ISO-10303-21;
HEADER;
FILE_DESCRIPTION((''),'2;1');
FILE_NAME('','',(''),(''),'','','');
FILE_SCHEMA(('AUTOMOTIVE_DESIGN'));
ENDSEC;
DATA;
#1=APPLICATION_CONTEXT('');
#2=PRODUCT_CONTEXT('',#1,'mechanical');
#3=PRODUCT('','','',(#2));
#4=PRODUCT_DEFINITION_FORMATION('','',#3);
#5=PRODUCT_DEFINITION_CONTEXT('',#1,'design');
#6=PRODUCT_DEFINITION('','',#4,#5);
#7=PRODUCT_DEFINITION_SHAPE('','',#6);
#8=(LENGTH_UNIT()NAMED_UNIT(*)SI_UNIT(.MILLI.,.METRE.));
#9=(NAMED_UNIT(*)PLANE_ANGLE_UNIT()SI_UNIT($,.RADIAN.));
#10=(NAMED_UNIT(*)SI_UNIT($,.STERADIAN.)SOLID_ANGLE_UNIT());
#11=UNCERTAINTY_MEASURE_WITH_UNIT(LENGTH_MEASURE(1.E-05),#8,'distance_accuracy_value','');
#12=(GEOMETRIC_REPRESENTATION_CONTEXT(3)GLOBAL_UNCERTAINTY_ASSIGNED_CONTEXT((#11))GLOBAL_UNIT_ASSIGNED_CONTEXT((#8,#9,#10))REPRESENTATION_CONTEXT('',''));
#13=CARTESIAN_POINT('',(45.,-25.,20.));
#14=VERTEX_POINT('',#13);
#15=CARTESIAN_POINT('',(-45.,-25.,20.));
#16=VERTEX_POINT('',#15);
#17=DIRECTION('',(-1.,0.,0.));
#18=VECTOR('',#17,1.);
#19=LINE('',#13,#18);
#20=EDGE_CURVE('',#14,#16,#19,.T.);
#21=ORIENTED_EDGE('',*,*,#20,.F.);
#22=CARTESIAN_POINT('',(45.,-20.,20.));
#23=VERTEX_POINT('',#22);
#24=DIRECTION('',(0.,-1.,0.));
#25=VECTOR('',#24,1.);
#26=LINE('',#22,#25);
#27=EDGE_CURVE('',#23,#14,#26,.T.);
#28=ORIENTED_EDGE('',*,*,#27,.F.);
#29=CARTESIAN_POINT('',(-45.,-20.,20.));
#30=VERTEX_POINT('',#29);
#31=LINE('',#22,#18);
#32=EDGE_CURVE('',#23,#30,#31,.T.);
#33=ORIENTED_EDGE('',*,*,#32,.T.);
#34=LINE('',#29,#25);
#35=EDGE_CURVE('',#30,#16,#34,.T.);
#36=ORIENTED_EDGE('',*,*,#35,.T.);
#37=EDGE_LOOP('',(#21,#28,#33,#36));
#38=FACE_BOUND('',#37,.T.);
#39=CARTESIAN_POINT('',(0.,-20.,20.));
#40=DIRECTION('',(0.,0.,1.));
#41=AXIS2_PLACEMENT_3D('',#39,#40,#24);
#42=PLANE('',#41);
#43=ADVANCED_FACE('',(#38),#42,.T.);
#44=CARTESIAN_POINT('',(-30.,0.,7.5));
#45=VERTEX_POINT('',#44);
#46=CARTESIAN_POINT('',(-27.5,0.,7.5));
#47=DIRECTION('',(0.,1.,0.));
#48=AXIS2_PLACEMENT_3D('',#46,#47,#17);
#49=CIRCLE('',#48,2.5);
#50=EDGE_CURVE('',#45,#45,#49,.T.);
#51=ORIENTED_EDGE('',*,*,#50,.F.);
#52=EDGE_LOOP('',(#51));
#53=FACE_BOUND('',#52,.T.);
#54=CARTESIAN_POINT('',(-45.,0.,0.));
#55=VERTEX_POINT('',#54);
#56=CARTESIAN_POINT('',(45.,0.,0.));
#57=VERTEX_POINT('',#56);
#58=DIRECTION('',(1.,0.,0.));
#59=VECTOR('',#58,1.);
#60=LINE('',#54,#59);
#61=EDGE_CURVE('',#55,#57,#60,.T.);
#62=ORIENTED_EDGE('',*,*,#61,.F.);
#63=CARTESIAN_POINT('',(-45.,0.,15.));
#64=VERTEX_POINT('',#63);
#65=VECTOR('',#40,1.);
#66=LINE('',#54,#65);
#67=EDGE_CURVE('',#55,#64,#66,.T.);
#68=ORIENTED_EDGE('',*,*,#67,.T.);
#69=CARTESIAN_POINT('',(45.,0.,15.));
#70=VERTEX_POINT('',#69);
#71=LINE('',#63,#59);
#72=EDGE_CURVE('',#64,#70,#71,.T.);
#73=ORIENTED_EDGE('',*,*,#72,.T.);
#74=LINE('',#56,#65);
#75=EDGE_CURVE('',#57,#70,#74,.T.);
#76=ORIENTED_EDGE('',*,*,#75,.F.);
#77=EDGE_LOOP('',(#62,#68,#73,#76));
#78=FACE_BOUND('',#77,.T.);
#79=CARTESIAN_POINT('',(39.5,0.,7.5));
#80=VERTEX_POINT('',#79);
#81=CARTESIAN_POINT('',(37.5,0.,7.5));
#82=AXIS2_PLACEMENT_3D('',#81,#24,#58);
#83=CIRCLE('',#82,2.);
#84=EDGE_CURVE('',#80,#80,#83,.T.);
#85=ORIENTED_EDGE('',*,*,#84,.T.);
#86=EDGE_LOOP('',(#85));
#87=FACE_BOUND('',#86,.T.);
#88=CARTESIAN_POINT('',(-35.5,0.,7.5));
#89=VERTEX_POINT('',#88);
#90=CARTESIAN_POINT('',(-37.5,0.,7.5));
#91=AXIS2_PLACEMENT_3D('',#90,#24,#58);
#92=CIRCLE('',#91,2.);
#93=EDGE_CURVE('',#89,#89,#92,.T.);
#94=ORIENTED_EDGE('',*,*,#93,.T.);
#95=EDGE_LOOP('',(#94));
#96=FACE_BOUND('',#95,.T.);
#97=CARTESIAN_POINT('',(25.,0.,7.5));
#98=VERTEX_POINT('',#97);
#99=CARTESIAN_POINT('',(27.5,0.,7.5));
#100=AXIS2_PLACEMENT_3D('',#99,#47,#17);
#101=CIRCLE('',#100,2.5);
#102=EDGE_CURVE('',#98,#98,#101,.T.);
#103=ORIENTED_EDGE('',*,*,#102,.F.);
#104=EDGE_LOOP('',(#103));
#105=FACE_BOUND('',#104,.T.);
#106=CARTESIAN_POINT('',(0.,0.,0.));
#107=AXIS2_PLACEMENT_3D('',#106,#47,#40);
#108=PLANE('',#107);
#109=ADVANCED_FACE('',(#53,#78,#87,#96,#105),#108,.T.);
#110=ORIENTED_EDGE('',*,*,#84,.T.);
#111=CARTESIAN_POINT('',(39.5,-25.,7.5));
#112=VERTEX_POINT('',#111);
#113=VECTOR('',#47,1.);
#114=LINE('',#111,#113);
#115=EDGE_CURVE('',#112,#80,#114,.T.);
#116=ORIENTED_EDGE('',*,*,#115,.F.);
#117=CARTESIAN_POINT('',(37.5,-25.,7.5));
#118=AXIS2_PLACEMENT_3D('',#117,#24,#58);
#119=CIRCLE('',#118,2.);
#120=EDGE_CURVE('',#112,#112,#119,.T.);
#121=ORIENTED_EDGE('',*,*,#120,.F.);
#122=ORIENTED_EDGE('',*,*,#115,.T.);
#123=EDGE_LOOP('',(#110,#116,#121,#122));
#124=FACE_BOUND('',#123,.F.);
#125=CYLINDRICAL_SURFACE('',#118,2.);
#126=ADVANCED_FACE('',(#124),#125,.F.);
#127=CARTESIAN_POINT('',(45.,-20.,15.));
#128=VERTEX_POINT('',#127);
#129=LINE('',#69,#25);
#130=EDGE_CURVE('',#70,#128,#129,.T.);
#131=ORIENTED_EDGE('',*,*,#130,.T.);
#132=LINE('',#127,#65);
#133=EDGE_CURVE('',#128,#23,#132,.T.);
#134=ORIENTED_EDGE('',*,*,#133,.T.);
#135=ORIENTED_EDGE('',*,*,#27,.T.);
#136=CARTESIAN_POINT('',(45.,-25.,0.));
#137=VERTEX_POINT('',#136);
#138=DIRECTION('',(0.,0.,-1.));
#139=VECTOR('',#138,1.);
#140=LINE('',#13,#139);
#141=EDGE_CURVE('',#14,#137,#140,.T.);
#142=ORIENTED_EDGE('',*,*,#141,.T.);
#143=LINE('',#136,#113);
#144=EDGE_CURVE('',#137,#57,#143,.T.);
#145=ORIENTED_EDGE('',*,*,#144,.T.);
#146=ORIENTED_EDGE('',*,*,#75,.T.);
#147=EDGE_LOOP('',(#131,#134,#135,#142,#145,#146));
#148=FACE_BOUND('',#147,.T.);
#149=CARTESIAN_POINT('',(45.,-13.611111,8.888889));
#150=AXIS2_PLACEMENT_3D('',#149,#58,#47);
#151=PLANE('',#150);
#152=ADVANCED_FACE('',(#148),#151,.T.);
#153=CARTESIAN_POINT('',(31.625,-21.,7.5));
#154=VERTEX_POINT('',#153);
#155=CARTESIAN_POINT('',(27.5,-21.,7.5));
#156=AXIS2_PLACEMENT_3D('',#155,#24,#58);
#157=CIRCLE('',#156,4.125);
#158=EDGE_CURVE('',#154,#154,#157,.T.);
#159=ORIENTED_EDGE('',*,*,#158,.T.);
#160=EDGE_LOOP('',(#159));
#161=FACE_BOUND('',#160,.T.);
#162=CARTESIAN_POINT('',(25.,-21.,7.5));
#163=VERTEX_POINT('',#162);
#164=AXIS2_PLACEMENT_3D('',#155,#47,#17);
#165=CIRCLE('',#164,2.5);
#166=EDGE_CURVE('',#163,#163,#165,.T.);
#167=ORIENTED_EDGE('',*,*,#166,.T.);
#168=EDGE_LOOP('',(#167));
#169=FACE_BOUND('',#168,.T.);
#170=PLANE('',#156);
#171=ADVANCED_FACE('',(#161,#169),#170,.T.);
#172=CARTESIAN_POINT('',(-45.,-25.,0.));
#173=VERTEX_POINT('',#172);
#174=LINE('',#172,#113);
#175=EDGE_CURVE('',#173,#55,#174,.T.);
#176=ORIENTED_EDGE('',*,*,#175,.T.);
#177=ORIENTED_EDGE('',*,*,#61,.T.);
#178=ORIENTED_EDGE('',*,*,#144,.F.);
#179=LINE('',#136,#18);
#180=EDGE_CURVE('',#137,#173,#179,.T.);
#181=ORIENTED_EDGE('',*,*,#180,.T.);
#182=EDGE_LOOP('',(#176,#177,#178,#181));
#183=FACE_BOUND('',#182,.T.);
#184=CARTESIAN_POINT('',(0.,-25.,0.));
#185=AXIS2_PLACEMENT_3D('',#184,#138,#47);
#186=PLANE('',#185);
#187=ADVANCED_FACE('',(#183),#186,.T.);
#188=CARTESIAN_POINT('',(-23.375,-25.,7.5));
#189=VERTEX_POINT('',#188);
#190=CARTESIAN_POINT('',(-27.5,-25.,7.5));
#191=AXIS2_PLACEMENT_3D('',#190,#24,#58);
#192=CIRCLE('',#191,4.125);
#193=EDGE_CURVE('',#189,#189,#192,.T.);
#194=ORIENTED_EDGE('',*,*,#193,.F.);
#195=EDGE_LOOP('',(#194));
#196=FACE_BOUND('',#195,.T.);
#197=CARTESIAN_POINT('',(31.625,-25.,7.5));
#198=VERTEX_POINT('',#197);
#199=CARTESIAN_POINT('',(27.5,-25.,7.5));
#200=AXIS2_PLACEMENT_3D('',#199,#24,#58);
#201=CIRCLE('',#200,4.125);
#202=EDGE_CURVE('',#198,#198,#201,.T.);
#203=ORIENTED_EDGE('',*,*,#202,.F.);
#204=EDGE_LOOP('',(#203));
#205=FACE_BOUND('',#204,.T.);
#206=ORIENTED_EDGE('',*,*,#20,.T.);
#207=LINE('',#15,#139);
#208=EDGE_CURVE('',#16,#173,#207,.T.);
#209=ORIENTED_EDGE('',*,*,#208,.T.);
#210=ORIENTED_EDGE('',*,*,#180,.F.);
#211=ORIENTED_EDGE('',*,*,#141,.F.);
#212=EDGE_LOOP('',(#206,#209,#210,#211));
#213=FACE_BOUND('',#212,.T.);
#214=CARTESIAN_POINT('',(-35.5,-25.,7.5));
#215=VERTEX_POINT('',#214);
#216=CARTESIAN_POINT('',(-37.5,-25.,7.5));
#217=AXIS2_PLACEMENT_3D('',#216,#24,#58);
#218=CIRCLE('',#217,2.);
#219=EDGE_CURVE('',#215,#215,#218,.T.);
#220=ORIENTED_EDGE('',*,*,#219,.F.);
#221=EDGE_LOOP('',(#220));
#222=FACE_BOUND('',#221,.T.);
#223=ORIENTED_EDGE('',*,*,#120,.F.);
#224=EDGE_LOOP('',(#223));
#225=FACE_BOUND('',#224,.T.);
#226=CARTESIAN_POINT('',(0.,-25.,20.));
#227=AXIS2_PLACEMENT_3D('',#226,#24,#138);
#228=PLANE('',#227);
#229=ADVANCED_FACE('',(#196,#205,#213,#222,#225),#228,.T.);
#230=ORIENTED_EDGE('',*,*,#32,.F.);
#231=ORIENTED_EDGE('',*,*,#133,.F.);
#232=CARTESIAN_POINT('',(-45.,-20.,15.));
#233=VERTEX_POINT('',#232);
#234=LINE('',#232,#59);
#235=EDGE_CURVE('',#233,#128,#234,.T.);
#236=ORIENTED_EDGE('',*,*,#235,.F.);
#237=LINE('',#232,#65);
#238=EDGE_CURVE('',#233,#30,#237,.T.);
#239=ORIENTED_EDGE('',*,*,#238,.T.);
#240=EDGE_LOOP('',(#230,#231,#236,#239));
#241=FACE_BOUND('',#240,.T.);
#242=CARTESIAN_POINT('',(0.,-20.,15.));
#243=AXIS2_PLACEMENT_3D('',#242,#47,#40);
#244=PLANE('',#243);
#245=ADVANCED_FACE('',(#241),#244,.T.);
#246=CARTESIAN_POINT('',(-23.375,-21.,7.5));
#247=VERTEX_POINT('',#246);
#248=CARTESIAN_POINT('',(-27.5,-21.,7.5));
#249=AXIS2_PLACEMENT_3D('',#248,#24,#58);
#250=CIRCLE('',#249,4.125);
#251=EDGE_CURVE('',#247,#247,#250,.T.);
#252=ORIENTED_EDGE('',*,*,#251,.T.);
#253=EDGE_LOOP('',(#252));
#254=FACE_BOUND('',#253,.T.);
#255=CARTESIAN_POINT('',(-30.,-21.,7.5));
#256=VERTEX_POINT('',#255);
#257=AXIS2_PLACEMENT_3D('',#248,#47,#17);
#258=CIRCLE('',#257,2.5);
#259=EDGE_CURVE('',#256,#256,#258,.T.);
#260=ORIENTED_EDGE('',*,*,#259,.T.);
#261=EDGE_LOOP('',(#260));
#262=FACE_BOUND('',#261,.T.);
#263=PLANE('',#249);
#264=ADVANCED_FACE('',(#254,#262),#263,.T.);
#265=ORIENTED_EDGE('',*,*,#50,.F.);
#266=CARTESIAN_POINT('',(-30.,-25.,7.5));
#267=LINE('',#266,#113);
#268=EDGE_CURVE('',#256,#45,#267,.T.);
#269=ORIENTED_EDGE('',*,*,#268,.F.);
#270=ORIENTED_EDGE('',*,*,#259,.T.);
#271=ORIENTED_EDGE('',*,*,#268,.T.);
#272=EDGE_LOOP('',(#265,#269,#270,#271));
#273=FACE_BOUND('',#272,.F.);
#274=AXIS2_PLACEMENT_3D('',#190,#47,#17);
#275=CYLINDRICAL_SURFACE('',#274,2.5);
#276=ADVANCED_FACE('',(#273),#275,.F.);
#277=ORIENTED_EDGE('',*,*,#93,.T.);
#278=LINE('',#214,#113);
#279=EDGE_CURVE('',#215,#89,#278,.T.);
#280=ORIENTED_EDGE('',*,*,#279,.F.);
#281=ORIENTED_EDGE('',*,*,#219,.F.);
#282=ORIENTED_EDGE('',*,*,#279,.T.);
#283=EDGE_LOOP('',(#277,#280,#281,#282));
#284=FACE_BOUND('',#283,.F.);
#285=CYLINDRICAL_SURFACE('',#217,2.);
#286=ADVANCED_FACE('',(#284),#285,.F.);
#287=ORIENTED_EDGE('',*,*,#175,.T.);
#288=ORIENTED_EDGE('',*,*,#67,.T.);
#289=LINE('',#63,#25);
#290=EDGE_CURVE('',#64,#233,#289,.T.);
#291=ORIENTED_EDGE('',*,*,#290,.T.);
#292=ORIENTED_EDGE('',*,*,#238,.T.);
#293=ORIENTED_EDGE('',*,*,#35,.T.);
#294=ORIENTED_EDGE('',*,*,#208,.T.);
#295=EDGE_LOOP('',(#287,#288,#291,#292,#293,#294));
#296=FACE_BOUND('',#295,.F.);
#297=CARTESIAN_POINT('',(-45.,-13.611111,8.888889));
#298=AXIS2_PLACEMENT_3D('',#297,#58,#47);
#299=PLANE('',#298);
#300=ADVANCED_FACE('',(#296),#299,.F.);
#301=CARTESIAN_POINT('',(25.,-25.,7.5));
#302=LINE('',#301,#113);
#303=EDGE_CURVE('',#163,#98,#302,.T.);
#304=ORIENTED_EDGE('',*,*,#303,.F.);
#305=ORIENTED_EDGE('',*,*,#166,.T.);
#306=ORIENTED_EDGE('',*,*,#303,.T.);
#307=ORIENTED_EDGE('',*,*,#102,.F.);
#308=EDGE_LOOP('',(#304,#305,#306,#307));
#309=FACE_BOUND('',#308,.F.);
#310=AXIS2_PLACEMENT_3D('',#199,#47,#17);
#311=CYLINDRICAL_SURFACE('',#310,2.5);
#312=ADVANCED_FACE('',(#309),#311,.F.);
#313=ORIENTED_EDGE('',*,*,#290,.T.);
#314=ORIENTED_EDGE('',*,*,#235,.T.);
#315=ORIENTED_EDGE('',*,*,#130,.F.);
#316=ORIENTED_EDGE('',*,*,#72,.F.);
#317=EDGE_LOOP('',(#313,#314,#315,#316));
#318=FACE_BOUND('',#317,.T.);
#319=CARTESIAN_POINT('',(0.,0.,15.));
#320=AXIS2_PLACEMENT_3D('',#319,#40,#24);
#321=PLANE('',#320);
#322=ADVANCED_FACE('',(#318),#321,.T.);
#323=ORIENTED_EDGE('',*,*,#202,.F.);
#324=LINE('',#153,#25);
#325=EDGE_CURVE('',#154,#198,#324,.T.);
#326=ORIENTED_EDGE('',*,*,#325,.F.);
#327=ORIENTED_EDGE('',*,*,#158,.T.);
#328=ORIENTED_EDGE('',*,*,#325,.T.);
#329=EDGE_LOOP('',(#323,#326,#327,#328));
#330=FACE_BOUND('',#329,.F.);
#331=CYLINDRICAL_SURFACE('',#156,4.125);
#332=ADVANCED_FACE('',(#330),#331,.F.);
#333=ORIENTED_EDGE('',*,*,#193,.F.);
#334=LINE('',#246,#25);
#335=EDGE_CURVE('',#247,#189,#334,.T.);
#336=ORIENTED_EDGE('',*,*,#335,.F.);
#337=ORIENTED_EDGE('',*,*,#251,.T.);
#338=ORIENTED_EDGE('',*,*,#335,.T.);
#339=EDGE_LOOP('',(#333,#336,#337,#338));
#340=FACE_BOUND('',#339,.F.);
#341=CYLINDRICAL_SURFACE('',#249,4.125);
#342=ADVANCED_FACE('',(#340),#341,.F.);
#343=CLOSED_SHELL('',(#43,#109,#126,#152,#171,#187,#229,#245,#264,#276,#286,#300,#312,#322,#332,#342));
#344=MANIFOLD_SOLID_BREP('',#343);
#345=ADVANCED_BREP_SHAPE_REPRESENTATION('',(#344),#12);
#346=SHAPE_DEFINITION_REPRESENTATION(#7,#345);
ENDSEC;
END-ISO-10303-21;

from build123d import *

# Parameters (mm, degrees)
F1_DEPTH       = 45
F2_R           = 2
F3_DEPTH       = 25.001
F4_D           = 5
F4_CBORE_D     = 8.25
F4_CBORE_DEPTH = 4


with BuildPart() as f1:
    # F0 (on Right) → F1 (new body, symmetric)
    with BuildSketch(Plane.YZ):
        Polygon((-25, 0), (0, 0), (0, 15), (-20, 15), (-20, 20), (-25, 20), align=None)
    extrude(amount=F1_DEPTH, both=True)

    # F2 (on face) → F3 (cut, through all)
    with BuildSketch(Plane.XZ.offset(25)):
        with Locations((-37.5, 7.5)):
            Circle(F2_R)
        with Locations((37.5, 7.5)):
            Circle(F2_R)
    extrude(amount=-F3_DEPTH, mode=Mode.SUBTRACT)

    # F4 (through all)
    with Locations(Plane.XZ.offset(25)):
        with Locations((-27.5, 7.5), (27.5, 7.5)):
            CounterBoreHole(F4_D / 2, F4_CBORE_D / 2, F4_CBORE_DEPTH)


solid = f1.part
